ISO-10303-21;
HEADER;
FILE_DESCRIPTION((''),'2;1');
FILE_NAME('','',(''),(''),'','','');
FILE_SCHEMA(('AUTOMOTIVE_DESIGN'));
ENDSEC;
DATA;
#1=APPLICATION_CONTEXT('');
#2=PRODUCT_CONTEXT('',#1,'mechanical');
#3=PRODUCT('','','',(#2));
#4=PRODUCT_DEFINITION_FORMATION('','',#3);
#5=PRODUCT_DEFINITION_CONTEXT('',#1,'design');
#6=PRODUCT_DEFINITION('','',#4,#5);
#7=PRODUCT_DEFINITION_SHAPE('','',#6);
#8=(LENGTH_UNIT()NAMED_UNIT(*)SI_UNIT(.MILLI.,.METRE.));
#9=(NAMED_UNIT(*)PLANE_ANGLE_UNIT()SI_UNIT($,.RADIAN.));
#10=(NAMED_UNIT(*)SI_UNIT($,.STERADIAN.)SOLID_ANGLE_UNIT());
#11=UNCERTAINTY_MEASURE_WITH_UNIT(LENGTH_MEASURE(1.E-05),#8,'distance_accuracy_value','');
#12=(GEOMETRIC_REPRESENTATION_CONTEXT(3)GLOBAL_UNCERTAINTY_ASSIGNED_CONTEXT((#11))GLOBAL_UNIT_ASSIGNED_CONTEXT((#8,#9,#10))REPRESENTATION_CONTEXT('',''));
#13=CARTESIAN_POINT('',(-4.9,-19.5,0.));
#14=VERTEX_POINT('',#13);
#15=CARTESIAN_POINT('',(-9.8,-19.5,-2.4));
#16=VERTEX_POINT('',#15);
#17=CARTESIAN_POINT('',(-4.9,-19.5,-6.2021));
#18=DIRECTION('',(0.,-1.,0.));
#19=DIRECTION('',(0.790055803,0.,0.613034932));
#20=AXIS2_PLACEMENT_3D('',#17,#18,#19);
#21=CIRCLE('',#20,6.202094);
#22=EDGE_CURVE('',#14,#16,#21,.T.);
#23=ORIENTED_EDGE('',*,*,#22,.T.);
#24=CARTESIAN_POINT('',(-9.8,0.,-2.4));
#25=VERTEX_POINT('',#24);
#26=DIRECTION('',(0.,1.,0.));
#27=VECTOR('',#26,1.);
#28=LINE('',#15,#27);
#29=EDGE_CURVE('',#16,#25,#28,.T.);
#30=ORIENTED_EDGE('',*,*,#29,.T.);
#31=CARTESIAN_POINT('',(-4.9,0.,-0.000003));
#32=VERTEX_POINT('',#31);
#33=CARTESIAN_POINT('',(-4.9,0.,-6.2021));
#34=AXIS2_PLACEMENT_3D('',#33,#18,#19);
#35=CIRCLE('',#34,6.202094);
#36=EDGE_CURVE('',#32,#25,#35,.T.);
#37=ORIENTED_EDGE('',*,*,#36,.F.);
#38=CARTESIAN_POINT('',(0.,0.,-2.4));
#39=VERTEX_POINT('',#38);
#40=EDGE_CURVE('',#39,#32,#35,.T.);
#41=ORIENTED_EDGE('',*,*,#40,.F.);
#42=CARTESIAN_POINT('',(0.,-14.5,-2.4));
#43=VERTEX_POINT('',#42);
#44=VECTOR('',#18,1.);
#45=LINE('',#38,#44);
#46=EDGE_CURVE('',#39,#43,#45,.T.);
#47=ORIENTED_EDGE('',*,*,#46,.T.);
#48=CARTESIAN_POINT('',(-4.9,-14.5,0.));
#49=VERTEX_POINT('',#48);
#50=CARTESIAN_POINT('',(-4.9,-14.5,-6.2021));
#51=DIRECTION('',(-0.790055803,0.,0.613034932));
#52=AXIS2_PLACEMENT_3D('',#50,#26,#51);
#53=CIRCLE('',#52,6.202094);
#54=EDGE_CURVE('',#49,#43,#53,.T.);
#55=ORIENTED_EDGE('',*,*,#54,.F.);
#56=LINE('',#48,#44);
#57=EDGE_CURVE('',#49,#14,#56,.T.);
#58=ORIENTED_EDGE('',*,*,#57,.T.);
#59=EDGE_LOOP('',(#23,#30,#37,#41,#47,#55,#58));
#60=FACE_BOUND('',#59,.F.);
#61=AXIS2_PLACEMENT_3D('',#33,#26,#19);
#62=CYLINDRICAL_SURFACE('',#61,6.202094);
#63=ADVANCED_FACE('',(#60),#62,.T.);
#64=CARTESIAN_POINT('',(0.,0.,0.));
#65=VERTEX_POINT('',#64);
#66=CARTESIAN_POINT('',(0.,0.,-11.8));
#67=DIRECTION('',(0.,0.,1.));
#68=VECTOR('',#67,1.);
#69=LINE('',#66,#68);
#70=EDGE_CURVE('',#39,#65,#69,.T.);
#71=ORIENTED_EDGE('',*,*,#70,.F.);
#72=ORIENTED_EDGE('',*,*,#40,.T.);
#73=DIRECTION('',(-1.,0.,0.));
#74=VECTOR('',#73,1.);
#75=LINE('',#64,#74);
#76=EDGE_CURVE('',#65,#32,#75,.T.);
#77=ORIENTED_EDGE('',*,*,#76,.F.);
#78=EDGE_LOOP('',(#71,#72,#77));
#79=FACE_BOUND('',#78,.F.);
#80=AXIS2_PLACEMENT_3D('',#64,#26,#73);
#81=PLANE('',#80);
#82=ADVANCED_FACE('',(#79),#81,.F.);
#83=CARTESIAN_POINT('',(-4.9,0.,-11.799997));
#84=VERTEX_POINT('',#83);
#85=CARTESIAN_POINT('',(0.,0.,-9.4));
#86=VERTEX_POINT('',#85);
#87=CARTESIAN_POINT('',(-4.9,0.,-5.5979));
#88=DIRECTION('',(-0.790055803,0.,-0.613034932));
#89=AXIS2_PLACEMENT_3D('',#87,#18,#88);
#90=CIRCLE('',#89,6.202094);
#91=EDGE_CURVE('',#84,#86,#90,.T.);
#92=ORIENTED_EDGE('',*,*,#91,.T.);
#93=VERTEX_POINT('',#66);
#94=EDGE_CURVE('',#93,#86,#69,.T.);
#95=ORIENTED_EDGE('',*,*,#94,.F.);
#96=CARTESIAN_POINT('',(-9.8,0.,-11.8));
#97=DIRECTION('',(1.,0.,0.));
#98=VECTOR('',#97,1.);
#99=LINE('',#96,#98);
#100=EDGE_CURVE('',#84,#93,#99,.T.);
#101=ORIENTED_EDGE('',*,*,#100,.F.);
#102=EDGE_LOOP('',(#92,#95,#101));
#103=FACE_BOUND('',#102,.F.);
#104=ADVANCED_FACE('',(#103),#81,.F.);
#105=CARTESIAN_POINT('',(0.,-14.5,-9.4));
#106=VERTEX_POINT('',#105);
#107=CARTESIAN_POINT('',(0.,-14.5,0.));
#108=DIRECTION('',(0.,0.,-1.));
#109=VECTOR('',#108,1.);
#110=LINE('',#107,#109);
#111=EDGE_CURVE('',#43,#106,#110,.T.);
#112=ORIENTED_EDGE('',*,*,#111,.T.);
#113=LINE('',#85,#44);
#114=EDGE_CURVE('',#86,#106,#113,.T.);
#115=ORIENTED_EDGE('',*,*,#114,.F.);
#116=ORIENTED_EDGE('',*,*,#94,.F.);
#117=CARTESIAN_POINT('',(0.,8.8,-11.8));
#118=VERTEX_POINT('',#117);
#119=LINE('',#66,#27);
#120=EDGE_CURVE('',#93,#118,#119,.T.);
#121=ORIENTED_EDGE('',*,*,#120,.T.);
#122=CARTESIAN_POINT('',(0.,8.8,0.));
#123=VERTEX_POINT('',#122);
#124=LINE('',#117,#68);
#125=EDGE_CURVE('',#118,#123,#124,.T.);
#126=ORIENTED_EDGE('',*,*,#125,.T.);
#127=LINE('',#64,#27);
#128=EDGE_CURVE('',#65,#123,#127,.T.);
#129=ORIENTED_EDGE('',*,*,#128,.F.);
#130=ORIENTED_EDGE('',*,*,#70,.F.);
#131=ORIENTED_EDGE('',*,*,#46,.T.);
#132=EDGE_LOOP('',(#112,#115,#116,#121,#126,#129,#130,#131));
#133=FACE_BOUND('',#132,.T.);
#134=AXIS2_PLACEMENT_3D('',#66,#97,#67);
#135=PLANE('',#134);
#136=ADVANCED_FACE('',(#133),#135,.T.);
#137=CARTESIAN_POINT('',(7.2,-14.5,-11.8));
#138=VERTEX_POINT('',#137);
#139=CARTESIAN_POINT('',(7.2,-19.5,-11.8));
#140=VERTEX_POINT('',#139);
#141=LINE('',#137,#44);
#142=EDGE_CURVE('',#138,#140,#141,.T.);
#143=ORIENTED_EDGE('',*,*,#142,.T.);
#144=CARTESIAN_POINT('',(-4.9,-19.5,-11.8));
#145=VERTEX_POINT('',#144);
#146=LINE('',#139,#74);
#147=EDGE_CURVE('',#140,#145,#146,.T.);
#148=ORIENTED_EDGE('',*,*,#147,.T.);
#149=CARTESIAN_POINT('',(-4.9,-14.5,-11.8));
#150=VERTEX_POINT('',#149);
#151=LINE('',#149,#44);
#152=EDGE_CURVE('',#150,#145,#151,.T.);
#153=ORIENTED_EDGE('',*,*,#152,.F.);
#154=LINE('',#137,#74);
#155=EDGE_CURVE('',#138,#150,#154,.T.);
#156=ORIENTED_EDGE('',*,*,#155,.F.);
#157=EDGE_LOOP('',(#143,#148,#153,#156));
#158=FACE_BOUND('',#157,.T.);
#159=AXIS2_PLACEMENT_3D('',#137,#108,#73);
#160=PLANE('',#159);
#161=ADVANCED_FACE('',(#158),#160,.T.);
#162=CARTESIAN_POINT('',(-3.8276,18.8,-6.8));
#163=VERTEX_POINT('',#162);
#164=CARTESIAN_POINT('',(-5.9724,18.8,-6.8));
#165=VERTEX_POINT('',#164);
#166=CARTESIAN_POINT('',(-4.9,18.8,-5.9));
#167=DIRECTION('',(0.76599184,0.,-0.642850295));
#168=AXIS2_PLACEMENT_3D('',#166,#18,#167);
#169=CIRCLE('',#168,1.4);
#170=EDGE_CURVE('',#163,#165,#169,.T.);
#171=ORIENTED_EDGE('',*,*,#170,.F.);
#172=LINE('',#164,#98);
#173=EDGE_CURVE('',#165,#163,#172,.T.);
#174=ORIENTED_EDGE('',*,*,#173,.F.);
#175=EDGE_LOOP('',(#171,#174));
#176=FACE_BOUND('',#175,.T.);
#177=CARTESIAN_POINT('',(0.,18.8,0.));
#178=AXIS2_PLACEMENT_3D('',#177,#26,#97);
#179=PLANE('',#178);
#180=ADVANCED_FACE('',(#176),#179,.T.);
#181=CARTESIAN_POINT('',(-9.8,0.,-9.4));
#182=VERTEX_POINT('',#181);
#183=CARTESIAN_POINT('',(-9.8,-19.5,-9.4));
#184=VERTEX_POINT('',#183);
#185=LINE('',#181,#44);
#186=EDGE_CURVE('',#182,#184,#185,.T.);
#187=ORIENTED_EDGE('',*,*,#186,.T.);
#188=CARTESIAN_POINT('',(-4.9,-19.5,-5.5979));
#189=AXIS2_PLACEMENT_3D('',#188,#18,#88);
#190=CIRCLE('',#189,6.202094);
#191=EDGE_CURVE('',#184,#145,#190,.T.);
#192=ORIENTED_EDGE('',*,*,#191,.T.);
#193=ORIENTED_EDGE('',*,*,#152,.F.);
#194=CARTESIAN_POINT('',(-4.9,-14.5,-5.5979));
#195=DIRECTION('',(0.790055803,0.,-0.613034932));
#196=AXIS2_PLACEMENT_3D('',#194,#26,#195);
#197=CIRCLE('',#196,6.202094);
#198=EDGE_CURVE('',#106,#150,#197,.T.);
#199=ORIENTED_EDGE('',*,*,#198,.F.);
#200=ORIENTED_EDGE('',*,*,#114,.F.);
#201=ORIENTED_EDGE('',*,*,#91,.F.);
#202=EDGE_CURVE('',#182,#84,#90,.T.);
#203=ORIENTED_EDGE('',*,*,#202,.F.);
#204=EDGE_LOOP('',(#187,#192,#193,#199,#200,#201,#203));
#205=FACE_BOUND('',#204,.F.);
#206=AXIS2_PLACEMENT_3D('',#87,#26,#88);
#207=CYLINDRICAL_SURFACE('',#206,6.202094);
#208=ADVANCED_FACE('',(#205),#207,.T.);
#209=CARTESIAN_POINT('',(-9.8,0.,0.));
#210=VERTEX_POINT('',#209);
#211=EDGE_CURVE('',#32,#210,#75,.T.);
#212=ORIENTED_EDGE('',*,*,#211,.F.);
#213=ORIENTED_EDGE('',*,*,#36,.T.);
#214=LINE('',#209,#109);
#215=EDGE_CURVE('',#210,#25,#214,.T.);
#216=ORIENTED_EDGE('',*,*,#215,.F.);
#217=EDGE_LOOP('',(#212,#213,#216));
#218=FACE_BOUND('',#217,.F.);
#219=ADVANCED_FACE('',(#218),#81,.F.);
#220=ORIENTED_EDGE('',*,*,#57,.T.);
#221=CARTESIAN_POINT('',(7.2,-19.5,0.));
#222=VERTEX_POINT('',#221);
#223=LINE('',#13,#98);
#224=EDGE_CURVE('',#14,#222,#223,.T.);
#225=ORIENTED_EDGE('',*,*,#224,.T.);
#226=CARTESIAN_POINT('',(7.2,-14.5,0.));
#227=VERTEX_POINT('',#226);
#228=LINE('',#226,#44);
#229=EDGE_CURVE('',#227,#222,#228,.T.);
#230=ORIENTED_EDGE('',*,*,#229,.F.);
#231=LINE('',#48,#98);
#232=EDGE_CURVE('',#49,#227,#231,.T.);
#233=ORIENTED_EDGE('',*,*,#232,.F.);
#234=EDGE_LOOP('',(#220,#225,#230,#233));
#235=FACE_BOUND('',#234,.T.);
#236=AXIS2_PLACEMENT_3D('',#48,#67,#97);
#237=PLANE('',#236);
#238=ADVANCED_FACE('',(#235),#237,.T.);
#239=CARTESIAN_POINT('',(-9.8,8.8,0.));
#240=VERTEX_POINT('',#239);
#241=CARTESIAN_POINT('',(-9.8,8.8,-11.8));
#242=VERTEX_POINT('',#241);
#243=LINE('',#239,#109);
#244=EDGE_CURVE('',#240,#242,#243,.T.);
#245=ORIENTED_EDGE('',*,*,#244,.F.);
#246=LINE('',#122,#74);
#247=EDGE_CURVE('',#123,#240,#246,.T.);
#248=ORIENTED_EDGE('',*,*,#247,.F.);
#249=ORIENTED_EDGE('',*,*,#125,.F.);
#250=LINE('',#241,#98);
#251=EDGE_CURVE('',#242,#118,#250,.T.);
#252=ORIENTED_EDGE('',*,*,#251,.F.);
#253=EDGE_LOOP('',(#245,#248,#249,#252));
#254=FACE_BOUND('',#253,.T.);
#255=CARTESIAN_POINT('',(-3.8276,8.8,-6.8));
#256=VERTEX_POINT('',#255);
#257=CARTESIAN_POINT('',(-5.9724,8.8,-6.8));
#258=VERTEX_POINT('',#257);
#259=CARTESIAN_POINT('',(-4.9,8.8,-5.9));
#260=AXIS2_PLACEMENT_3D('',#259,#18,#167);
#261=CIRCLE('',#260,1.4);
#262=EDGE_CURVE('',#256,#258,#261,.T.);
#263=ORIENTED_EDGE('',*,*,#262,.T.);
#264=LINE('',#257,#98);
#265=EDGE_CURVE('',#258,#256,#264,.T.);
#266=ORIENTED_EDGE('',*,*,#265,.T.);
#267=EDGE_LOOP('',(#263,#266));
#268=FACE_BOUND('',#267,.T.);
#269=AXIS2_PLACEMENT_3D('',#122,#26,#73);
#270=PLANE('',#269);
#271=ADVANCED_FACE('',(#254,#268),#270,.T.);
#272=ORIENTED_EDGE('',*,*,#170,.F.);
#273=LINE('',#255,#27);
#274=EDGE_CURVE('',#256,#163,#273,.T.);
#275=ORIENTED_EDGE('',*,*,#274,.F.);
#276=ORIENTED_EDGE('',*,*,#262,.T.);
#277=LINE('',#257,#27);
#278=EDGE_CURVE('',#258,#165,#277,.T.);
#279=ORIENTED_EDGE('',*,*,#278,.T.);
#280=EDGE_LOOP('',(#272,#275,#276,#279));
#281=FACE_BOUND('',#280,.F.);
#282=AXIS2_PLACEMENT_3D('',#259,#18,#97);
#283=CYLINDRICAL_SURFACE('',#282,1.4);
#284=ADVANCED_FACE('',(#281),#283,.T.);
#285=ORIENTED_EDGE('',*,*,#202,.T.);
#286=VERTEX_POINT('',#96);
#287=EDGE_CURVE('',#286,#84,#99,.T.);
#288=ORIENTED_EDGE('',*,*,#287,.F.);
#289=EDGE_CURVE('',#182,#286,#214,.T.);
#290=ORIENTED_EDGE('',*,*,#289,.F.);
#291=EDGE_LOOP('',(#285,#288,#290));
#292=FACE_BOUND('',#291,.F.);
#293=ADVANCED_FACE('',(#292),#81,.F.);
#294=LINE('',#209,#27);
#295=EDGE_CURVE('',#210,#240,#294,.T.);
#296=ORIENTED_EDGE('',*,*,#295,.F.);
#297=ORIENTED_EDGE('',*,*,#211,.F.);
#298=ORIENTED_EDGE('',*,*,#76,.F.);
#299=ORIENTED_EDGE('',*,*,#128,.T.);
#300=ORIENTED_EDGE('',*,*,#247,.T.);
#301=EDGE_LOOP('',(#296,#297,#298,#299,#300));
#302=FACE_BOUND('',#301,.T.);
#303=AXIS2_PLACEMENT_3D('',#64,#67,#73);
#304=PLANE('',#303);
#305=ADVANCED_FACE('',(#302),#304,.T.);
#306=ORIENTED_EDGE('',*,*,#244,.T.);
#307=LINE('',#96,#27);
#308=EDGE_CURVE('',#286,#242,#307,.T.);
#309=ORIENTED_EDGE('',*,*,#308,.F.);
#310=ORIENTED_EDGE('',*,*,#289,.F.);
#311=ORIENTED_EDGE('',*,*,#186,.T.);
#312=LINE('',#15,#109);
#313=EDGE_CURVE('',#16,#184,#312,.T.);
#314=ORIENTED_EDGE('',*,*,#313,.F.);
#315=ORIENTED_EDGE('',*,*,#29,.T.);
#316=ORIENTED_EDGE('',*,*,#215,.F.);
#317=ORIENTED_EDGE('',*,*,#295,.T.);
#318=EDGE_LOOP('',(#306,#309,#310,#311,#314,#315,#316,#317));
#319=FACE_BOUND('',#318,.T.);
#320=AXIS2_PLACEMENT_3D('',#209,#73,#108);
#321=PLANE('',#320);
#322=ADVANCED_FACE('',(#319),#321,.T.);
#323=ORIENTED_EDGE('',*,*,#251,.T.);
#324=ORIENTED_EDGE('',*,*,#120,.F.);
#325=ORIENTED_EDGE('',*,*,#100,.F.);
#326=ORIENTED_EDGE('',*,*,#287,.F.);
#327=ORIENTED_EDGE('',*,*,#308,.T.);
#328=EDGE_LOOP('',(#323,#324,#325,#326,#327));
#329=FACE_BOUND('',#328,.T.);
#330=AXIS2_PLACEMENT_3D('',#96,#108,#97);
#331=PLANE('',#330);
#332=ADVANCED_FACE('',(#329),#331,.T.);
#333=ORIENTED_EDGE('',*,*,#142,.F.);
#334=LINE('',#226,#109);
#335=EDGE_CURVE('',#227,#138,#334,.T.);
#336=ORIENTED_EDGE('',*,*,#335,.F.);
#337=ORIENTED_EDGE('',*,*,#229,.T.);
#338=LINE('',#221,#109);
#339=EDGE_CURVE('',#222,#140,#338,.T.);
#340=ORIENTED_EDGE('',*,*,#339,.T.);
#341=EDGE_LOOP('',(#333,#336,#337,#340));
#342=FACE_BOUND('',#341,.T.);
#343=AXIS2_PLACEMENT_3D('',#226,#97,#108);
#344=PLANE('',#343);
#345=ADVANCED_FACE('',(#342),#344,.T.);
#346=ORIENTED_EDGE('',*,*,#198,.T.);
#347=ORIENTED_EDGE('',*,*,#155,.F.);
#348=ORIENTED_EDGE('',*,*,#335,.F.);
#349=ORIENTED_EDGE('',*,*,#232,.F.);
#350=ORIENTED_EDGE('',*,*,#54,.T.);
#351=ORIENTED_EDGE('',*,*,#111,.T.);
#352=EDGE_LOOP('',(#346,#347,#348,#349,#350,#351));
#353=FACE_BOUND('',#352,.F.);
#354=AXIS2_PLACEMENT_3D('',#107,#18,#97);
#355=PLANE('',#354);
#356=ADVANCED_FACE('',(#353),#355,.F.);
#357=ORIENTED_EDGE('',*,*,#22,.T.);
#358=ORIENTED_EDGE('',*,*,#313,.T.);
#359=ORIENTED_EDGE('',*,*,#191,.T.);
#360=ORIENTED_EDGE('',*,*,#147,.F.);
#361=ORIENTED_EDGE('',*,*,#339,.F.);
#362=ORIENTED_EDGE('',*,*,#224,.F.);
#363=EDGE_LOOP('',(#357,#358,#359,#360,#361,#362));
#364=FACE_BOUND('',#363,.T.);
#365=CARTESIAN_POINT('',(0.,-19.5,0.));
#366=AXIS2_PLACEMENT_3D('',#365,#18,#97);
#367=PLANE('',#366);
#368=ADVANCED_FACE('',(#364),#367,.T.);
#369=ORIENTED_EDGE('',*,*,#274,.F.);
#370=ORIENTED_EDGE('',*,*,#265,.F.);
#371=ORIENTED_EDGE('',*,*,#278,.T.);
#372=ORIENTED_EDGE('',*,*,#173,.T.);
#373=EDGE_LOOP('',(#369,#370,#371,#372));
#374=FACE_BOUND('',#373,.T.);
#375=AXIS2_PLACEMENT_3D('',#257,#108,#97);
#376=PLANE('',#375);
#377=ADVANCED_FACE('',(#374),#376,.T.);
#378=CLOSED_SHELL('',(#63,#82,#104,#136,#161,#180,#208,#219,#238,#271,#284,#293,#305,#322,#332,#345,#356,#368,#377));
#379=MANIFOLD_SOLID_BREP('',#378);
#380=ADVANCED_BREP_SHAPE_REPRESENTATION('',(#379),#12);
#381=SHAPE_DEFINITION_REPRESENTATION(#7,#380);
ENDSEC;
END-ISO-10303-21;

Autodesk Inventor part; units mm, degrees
ref_plane "YZ Plane" through (0, 0, 0) normal (1, 0, 0) x (0, 1, 0)
ref_plane "XZ Plane" through (0, 0, 0) normal (0, 1, 0) x (-1, 0, 0)
ref_plane "XY Plane" through (0, 0, 0) normal (0, 0, 1) x (1, 0, 0)
sketch "Sketch1" plane through (0, 0, 0) normal (0, 1, 0) x (-1, 0, 0)
  line L0 (0, 0) -> (9.8, 0)
  line L1 (9.8, 0) -> (9.8, -11.8)
  line L2 (9.8, -11.8) -> (0, -11.8)
  line L3 (0, -11.8) -> (0, 0)
  dimension "d0" = 11.8
  dimension "d1" = 9.8
extrude "Extrusion1" add sketch "Sketch1" along normal blind 8.8
sketch "Sketch2" plane through (0, 8.8, 0) normal (0, 1, 0) x (1, 0, 0)
  circle A0 centre (-4.9, 5.9) radius 1.4
  line L0 (-9.8, 0) -> (0, 0) construction
  line L1 (0, 0) -> (0, 11.8) construction
  line L2 (0, 11.8) -> (-9.8, 11.8) construction
  line L3 (-9.8, 11.8) -> (-9.8, 0) construction
  line L4 (0, 11.8) -> (-9.8, 11.8) construction
  line L5 (-4.9, 11.8) -> (-4.9, 0) construction
  line L6 (-9.8, 0) -> (0, 0) construction
  line L7 (-9.8, 11.8) -> (-9.8, 0) construction
  line L8 (-9.8, 5.9) -> (0, 5.9) construction
  line L9 (0, 0) -> (0, 11.8) construction
  line L10 (-5.9724, 6.8) -> (-3.8276, 6.8)
  point P0 (-4.9, 5.9)
  dimension "d4" = 2.8
  dimension "d5" = 0.9
extrude "Extrusion2" add sketch "Sketch2" along normal blind 10 contours A0 L10 picked at (-5.0611, 5.8774)
sketch "Sketch3" plane through (0, 0, 0) normal (0, -1, 0) x (1, 0, 0)
  line L0 (0, 0) -> (0, -11.8) projected
  line L1 (0, -2.4) -> (0, -9.4)
  line L2 (-9.8, -11.8) -> (-9.8, 0) projected
  line L3 (-9.8, -2.4) -> (-9.8, -9.4)
  arc A0 (0, -2.4) -> (-9.8, -2.4) centre (-4.9, -6.2021) ccw
  arc A1 (-9.8, -9.4) -> (0, -9.4) centre (-4.9, -5.5979) ccw
  line L4 (-9.8, 0) -> (0, 0) projected
  line L5 (0, -11.8) -> (-9.8, -11.8) projected
  point P0 (0, -5.9)
  point P1 (-9.8, -5.9)
  point P2 (-4.9, 0)
  point P3 (-4.9, -11.8)
  dimension "d8" = 7
  dimension "d9" = 7
extrude "Extrusion3" add sketch "Sketch3" along normal blind 14.5 contours L0 A1 L2 A0
sketch "Sketch4" plane through (0, -14.5, 0) normal (0, -1, 0) x (1, 0, 0)
  arc A0 (0, -2.4) -> (-9.8, -2.4) centre (-4.9, -6.2021) ccw projected
  line L0 (-9.8, -2.4) -> (-9.8, -9.4) projected
  arc A1 (-9.8, -9.4) -> (0, -9.4) centre (-4.9, -5.5979) ccw projected
  line L1 (0, -9.4) -> (0, -2.4) projected
  line L2 (-9.8, 0) -> (0, 0) projected
  line L3 (-4.9, 0) -> (7.2, 0)
  line L4 (7.2, 0) -> (7.2, -11.8)
  line L5 (7.2, -11.8) -> (-4.9, -11.8)
  line L6 (-4.9, -11.8) -> (-4.9, 0)
  dimension "d12" = 17
extrude "Extrusion4" add sketch "Sketch4" along normal blind 5
properties part number "moteur"
